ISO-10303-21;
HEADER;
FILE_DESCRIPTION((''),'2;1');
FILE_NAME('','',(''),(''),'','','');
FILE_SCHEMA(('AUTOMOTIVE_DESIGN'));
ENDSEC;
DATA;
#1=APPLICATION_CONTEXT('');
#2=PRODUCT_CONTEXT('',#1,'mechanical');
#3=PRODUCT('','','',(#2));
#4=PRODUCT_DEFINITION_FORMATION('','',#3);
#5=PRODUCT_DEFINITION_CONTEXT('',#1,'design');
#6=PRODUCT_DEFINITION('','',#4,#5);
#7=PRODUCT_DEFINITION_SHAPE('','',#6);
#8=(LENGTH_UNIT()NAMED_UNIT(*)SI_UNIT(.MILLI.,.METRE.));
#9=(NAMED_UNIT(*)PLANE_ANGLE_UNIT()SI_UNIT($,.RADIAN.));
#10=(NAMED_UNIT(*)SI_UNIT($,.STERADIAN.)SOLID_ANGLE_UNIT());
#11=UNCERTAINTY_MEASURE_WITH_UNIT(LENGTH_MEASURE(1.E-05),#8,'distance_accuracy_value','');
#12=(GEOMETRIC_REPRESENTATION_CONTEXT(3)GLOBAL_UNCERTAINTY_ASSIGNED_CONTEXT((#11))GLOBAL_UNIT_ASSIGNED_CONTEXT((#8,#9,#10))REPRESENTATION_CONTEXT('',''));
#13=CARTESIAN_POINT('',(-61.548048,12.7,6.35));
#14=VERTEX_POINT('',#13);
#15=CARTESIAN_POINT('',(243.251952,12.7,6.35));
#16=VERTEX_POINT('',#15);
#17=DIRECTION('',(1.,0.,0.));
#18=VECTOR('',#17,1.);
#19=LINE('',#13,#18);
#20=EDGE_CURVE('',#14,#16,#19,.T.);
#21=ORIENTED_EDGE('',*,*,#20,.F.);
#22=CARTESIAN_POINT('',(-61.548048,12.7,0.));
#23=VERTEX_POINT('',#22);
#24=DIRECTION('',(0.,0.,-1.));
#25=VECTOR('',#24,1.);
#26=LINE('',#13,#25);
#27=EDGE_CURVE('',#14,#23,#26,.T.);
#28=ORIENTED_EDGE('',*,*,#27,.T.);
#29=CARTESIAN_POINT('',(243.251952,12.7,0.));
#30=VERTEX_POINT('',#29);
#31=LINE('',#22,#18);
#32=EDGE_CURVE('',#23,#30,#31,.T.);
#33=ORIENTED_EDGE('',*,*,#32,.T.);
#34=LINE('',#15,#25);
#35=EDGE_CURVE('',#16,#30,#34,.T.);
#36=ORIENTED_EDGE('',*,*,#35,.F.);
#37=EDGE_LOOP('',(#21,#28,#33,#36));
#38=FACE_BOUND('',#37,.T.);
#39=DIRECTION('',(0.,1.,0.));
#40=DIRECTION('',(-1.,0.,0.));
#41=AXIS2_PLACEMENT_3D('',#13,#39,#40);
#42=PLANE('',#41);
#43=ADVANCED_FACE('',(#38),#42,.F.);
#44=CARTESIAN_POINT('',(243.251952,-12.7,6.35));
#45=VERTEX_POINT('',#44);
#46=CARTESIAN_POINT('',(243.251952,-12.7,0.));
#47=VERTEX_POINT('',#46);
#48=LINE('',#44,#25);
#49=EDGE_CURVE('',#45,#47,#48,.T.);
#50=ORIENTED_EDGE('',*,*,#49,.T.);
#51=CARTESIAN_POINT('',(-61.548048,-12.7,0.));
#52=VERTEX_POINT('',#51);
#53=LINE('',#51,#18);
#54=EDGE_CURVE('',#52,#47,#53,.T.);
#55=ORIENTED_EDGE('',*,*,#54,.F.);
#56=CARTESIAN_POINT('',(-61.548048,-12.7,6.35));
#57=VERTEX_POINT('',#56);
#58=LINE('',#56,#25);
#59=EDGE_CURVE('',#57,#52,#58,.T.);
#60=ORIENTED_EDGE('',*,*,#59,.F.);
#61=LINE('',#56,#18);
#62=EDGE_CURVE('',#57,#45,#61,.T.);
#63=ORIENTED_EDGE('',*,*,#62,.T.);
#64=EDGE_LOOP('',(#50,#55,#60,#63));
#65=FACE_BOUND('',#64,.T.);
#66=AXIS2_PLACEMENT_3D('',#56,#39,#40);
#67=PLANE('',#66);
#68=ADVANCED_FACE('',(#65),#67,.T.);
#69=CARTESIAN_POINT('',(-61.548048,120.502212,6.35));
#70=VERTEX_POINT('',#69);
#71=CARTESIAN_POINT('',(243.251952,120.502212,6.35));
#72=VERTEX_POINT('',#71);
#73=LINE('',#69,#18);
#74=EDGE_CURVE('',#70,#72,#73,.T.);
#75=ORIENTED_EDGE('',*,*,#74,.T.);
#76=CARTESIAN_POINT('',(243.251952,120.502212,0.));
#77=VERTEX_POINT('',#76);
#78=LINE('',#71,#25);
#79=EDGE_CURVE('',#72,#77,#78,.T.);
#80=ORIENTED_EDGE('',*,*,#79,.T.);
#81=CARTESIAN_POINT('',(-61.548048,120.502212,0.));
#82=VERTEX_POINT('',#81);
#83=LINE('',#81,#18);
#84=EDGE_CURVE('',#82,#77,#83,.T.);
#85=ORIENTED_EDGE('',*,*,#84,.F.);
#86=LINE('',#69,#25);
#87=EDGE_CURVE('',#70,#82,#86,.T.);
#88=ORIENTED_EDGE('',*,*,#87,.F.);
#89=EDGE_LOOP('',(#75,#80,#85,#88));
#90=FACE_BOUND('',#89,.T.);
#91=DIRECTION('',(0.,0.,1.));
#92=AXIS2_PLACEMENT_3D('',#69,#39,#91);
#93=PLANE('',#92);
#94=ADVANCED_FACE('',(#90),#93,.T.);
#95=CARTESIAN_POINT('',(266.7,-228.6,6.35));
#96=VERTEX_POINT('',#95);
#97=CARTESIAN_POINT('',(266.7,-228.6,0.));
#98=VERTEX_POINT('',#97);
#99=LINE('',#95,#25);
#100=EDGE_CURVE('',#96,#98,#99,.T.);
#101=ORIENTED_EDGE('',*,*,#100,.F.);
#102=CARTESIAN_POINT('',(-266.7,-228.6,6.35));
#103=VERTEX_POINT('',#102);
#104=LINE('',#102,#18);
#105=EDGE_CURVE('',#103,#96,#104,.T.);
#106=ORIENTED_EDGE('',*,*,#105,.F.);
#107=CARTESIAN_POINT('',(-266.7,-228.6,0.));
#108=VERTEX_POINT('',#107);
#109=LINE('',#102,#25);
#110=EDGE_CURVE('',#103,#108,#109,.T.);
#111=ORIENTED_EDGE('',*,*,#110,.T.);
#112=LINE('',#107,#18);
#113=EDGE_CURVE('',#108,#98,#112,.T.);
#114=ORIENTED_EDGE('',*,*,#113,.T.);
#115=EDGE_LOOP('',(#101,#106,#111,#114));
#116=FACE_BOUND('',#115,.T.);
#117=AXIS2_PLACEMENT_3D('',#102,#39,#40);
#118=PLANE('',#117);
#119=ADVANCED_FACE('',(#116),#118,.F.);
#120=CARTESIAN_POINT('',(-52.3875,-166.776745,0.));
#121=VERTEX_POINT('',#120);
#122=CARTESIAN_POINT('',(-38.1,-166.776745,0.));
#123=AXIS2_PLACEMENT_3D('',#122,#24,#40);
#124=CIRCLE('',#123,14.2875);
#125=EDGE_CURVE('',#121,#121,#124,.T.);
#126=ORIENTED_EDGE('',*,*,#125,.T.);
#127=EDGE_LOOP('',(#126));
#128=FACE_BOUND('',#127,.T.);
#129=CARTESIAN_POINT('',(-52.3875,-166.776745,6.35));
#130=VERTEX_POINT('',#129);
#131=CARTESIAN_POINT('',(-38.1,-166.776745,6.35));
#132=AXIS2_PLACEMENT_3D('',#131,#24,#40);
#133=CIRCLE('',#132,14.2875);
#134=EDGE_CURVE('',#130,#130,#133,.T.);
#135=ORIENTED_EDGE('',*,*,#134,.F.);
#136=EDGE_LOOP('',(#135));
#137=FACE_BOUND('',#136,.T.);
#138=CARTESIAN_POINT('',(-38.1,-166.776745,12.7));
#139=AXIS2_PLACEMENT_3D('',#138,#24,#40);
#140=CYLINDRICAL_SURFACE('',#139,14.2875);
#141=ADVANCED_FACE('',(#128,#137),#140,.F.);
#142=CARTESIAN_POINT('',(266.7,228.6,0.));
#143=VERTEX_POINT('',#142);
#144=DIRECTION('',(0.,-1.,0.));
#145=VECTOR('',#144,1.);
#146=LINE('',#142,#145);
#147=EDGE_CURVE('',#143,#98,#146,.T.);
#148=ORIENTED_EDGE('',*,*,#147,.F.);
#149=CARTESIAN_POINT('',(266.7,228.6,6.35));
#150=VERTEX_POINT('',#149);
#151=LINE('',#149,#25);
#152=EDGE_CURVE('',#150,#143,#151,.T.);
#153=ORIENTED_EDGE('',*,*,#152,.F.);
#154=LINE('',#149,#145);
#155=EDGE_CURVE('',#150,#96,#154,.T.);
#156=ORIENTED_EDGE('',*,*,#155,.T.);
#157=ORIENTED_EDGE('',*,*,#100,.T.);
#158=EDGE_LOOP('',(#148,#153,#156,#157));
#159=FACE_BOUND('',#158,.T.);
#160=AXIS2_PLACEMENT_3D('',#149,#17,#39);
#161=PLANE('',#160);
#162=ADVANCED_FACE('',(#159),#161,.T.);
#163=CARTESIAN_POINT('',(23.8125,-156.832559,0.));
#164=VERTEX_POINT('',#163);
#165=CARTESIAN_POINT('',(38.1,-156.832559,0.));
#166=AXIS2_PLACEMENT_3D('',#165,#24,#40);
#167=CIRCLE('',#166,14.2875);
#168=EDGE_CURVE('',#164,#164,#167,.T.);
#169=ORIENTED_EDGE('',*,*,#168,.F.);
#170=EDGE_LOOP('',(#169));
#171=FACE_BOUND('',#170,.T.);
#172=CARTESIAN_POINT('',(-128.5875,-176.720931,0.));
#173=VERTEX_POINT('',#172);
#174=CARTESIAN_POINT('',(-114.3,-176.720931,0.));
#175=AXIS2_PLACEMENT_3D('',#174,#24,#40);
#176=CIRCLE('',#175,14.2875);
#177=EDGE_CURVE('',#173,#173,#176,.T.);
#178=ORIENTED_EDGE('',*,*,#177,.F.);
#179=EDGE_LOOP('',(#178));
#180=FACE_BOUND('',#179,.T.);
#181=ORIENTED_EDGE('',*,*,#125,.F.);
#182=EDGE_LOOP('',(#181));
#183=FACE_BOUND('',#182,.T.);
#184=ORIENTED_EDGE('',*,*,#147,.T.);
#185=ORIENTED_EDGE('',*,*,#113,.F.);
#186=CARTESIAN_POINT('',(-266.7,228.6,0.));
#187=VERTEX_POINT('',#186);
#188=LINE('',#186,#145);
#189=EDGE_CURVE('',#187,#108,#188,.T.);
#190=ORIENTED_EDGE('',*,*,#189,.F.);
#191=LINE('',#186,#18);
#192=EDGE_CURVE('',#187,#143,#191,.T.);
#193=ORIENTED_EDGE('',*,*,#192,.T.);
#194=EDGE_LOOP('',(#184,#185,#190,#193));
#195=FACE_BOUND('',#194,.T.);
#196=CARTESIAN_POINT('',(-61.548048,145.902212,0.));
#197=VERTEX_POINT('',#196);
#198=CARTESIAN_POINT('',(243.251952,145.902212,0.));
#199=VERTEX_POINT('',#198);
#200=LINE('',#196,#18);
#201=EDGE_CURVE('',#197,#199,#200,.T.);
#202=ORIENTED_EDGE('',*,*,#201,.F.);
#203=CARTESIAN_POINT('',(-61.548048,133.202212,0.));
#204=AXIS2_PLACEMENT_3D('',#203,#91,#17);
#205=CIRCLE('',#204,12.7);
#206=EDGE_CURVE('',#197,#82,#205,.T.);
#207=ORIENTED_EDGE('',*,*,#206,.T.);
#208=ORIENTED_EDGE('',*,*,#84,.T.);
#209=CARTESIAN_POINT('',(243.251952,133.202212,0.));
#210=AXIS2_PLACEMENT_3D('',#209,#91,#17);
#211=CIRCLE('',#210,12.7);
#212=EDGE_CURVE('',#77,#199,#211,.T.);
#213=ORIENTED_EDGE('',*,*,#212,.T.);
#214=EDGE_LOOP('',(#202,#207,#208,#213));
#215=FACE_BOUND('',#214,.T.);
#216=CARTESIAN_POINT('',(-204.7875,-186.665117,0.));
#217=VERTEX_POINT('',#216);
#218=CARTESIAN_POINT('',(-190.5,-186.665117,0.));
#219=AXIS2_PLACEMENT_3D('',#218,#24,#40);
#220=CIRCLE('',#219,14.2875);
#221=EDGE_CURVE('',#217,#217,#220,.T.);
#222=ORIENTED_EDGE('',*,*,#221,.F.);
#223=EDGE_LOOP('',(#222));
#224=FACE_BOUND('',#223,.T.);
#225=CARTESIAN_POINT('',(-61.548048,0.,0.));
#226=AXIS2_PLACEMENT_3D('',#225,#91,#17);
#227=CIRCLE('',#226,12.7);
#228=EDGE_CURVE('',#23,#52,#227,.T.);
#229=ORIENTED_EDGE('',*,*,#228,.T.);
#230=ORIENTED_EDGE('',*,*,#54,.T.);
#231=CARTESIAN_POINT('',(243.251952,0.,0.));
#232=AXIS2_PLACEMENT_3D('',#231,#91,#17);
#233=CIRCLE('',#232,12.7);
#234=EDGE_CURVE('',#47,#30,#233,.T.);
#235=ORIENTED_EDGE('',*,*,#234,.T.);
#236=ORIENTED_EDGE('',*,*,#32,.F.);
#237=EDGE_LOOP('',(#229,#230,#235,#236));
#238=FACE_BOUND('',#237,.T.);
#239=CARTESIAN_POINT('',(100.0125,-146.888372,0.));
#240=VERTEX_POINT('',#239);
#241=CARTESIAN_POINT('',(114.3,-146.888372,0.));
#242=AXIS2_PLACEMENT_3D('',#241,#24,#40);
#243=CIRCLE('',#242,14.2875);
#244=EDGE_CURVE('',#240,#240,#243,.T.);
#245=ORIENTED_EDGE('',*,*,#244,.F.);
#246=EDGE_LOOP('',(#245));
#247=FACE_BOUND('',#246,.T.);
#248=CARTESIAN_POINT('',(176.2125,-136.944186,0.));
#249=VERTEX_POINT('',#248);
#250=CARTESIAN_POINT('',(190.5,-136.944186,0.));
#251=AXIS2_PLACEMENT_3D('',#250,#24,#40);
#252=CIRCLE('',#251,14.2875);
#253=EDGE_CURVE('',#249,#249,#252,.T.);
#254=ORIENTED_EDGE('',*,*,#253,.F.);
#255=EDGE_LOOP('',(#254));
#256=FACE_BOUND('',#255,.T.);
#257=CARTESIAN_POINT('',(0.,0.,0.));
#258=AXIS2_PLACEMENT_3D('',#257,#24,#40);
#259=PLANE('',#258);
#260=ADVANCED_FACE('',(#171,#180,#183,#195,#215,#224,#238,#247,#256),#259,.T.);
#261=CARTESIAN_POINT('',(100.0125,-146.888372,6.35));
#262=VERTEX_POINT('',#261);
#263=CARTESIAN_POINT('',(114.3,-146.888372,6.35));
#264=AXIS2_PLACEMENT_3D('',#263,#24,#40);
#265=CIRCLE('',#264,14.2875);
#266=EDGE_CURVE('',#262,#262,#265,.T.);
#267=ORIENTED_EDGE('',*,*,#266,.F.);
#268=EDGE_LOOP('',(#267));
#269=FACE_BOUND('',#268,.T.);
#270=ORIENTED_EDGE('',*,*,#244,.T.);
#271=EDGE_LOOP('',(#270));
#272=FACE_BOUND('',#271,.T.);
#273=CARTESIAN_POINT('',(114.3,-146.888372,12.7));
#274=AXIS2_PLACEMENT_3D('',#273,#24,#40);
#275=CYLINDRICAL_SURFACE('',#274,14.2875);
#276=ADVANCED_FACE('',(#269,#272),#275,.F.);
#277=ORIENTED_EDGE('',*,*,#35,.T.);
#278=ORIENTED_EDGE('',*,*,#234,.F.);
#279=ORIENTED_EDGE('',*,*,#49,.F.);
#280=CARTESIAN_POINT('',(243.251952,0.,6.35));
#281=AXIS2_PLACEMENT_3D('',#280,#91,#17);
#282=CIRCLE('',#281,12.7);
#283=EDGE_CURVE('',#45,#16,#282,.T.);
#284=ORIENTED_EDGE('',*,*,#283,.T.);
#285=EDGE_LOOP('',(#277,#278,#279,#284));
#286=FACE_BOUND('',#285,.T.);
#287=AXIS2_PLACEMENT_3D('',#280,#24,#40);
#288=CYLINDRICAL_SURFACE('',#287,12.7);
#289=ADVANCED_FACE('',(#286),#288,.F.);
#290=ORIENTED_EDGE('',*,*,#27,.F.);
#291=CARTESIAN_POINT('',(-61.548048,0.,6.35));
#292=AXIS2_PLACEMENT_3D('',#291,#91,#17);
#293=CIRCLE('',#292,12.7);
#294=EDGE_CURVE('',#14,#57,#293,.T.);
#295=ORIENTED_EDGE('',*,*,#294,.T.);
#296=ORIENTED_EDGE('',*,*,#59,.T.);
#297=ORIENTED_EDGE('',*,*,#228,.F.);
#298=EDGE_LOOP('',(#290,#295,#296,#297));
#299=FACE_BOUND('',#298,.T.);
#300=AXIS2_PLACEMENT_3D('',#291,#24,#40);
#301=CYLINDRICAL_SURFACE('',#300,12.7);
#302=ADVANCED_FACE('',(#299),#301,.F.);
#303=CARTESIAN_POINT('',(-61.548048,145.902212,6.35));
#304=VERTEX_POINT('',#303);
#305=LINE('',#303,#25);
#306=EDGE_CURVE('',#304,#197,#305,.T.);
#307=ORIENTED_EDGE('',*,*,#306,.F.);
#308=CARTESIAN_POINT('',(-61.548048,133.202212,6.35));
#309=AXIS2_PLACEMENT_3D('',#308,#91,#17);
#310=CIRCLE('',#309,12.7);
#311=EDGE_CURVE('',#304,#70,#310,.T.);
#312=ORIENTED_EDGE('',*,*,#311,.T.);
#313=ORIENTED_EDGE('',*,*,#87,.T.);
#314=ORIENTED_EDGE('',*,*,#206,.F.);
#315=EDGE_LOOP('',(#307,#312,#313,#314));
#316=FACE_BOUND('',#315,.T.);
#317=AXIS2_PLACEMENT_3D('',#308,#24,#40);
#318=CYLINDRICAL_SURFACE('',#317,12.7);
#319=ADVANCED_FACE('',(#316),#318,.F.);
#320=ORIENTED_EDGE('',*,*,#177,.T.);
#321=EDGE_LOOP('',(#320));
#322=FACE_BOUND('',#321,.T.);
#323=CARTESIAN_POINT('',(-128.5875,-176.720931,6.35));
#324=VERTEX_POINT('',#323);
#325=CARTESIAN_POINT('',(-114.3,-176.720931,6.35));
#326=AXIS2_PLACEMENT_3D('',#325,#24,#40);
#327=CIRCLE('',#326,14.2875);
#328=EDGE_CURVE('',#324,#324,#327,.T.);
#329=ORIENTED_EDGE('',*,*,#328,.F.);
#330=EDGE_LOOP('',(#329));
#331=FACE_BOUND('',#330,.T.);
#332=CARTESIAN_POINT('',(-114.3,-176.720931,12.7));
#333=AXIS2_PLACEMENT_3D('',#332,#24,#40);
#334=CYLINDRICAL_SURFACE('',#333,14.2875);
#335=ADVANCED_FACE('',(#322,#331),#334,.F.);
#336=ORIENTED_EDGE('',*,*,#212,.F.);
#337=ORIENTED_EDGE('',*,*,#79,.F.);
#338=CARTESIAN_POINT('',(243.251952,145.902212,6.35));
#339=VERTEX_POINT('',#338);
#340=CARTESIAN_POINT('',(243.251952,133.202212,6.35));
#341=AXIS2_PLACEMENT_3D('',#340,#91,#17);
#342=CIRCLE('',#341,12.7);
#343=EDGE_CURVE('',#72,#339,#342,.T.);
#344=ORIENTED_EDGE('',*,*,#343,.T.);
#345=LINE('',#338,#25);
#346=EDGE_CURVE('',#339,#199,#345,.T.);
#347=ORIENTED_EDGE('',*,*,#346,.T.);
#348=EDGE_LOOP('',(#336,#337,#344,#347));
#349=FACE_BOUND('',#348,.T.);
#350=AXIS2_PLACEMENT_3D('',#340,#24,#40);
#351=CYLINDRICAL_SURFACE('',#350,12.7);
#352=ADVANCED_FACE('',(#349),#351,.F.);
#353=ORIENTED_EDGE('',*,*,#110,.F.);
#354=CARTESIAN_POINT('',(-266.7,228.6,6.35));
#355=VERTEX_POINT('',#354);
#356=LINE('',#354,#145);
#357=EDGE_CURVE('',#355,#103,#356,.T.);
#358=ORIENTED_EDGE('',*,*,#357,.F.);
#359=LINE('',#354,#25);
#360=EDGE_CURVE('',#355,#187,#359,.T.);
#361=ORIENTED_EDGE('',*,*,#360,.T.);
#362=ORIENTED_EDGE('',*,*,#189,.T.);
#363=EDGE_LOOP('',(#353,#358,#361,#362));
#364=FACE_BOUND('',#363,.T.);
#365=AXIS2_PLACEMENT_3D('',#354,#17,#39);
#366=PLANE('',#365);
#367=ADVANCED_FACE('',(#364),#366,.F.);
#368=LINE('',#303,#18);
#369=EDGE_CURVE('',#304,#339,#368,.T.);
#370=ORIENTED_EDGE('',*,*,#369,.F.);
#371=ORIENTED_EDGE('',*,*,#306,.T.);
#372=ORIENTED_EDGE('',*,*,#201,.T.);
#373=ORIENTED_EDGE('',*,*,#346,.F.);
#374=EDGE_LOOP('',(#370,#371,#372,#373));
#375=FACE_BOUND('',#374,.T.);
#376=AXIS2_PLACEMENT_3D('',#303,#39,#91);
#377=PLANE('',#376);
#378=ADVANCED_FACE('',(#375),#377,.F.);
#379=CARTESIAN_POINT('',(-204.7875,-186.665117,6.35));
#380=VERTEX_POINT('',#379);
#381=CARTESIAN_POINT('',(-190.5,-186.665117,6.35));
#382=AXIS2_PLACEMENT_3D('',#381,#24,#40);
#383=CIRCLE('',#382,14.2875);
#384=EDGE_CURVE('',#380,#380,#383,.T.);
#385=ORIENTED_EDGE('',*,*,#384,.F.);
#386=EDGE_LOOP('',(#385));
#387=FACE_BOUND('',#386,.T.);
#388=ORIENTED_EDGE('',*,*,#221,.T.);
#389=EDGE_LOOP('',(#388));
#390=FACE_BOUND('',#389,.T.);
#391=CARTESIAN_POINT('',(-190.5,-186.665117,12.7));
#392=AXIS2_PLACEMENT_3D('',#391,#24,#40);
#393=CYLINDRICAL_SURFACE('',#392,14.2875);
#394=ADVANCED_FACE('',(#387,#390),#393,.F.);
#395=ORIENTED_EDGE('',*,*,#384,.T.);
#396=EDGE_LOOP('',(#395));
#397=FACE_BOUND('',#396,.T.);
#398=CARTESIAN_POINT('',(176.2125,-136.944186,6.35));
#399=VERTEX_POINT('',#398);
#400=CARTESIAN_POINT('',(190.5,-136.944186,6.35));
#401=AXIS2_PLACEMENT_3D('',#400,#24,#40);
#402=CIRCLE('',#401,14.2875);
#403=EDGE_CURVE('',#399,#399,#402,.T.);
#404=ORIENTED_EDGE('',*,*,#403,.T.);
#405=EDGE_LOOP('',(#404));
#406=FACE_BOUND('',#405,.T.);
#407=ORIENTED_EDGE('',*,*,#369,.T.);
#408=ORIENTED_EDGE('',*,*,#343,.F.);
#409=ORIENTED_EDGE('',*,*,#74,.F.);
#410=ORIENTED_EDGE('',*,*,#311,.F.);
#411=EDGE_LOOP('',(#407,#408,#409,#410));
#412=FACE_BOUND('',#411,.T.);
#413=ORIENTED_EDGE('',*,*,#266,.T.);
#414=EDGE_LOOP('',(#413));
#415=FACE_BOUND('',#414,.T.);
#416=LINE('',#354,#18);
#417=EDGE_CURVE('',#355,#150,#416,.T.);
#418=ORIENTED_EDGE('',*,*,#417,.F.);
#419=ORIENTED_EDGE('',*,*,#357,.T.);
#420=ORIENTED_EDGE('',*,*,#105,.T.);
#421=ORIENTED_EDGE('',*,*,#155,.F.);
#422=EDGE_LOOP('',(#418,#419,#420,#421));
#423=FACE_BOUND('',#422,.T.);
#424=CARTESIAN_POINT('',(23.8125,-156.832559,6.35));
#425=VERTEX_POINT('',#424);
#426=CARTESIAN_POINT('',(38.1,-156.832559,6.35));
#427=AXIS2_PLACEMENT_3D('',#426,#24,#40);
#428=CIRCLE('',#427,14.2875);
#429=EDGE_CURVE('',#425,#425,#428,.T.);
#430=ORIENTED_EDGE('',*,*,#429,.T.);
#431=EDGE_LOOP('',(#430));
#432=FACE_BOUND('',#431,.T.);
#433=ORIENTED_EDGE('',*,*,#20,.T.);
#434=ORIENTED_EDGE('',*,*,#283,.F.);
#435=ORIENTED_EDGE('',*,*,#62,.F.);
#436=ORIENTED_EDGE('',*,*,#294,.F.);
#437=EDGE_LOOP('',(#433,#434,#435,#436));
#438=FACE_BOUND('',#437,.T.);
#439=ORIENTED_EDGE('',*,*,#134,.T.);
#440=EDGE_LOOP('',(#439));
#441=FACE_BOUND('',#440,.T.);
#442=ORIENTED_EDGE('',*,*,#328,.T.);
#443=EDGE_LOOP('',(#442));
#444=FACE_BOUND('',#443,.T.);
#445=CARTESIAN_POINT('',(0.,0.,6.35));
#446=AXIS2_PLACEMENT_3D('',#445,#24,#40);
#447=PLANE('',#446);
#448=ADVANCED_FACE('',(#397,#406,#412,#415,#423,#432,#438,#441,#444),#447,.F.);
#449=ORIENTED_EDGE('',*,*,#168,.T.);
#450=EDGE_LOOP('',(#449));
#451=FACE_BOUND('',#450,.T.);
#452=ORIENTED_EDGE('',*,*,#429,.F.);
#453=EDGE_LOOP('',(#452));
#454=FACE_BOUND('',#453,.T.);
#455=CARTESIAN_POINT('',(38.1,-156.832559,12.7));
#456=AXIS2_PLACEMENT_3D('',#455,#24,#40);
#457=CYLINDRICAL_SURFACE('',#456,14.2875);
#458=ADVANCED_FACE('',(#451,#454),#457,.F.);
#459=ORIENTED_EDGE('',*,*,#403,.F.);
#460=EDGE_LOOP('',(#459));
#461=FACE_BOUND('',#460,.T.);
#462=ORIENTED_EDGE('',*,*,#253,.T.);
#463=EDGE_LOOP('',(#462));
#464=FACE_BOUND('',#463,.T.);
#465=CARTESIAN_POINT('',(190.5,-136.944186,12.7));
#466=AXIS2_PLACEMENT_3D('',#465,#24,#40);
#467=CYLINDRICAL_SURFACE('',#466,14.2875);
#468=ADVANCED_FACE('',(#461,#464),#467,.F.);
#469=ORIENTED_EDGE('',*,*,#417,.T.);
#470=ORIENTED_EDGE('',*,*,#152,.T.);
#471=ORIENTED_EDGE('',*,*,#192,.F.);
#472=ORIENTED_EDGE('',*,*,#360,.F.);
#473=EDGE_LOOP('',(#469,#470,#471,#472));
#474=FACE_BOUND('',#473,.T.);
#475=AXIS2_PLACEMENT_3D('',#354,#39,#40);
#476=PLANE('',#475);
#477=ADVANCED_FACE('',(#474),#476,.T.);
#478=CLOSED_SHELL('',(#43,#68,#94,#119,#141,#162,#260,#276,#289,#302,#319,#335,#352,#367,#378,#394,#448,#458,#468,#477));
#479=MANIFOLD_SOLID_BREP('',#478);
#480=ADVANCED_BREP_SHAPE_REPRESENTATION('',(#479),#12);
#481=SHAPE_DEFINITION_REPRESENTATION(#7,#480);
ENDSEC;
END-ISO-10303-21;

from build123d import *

# Parameters (mm, degrees)
SKETCH1_W           = 533.4
SKETCH1_H           = 457.2
BOSS_EXTRUDE4_DEPTH = 6.35
SKETCH3_R           = 14.2875
CUT_EXTRUDE2_DEPTH  = 12.7


with BuildPart() as part:
    # Sketch1 → Boss-Extrude4 (new body)
    with BuildSketch(Plane.XY):
        Rectangle(SKETCH1_W, SKETCH1_H)
        with BuildLine():
            Line((-61.54804751, 145.902211593), (243.25195249, 145.902211593))
            ThreePointArc((243.25195249, 145.902211593), (255.95195249, 133.202211593), (243.25195249, 120.502211593))
            Line((243.25195249, 120.502211593), (-61.54804751, 120.502211593))
            ThreePointArc((-61.54804751, 120.502211593), (-74.24804751, 133.202211593), (-61.54804751, 145.902211593))
        make_face(mode=Mode.SUBTRACT)
        with BuildLine():
            Line((-61.54804751, 12.7), (243.25195249, 12.7))
            ThreePointArc((243.25195249, 12.7), (255.95195249, 0), (243.25195249, -12.7))
            Line((243.25195249, -12.7), (-61.54804751, -12.7))
            ThreePointArc((-61.54804751, -12.7), (-74.24804751, 0), (-61.54804751, 12.7))
        make_face(mode=Mode.SUBTRACT)
    extrude(amount=BOSS_EXTRUDE4_DEPTH)

    # Sketch3 → Cut-Extrude2 (cut)
    with BuildSketch(Plane(origin=(0, 0, 0), x_dir=(-1, 0, 0), z_dir=(0, 0, -1))):
        with Locations((-190.5, -136.944186205)):
            Circle(SKETCH3_R)
        with Locations((-114.3, -146.88837241)):
            Circle(SKETCH3_R)
        with Locations((-38.1, -156.832558615)):
            Circle(SKETCH3_R)
        with Locations((38.1, -166.77674482)):
            Circle(SKETCH3_R)
        with Locations((114.3, -176.720931025)):
            Circle(SKETCH3_R)
        with Locations((190.5, -186.66511723)):
            Circle(SKETCH3_R)
    extrude(amount=-CUT_EXTRUDE2_DEPTH, mode=Mode.SUBTRACT)


solid = part.part
